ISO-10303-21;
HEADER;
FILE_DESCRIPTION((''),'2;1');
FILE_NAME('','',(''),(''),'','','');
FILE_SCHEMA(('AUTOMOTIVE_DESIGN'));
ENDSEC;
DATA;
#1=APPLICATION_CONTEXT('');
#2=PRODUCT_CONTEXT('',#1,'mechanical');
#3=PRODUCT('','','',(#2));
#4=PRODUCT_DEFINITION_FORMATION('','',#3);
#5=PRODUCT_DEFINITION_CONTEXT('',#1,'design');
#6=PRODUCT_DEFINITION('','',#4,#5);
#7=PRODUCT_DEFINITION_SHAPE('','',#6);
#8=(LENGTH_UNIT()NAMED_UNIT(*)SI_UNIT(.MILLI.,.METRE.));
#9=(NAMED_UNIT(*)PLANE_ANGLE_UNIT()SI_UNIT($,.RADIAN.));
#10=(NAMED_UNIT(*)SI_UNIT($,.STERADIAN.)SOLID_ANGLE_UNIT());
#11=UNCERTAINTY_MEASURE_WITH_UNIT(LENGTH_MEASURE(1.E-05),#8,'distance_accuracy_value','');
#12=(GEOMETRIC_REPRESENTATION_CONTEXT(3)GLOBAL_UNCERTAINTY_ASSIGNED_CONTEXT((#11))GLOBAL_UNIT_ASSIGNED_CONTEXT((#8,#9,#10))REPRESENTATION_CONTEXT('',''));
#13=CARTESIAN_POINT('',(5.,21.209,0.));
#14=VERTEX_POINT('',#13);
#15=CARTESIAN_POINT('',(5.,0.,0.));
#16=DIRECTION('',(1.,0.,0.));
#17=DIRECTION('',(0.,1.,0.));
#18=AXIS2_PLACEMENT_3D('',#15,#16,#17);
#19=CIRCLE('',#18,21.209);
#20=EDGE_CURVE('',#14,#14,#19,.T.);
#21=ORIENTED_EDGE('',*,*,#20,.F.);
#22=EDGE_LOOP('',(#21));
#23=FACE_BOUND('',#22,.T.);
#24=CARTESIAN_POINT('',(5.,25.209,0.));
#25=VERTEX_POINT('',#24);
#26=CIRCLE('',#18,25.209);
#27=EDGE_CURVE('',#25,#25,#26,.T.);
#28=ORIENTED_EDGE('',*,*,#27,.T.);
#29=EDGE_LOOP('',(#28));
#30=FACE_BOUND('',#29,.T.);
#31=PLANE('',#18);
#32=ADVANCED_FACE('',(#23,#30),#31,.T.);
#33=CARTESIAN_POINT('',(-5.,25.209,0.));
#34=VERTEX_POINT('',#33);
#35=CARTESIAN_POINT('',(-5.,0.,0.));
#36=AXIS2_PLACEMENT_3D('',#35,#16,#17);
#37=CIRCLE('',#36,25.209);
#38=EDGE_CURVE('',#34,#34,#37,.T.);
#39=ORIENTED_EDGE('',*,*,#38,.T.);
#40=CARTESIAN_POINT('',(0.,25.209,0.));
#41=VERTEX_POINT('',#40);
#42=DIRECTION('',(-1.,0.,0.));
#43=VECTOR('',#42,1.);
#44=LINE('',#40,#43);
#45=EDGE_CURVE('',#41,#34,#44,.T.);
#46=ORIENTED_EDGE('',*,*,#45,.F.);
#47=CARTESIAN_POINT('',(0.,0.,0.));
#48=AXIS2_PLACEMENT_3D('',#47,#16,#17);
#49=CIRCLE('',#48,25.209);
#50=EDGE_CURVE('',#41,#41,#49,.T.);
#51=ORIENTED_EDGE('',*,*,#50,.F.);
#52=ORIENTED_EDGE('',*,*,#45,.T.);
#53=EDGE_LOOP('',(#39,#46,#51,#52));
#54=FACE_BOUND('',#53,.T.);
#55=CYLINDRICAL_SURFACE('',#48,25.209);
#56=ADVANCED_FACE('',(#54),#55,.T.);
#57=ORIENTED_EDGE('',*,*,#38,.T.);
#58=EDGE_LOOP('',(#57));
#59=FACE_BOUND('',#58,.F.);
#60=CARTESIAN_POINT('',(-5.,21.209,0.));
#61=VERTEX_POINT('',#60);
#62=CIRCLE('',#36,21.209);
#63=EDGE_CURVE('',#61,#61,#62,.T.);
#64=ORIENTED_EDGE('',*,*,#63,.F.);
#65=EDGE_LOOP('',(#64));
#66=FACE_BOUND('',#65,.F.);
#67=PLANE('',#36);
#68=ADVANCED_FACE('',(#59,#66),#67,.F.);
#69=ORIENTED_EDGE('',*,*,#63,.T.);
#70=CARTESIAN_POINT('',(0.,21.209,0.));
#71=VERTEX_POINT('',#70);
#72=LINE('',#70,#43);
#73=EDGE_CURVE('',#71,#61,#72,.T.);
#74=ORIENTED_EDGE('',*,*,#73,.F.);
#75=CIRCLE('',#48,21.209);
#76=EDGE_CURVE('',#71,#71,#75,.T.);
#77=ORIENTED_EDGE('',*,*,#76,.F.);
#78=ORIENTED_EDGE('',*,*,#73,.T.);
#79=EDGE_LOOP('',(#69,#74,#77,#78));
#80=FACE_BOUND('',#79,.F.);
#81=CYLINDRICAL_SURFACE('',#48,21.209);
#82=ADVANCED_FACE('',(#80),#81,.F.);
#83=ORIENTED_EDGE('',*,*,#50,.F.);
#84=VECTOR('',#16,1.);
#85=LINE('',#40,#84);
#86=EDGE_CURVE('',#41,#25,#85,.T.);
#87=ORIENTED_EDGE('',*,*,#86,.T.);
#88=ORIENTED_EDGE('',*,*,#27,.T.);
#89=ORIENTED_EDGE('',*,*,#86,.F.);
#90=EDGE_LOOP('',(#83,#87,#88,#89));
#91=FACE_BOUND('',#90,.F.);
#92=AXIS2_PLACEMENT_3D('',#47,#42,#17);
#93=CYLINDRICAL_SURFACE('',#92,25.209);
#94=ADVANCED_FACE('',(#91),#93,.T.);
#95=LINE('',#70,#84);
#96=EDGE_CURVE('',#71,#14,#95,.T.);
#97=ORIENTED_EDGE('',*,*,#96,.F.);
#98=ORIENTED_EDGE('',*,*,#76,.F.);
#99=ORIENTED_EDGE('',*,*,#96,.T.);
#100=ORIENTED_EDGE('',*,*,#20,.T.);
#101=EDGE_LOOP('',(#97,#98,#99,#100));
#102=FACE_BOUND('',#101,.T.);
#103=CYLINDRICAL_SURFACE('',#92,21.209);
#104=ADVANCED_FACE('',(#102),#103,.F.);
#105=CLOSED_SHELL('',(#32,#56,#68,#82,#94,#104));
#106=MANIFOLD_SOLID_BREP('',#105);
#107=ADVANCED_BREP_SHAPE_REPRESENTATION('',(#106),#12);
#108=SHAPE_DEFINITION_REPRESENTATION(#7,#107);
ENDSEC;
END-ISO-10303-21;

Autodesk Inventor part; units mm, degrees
ref_plane "YZ Plane" through (0, 0, 0) normal (1, 0, 0) x (0, 1, 0)
ref_plane "XZ Plane" through (0, 0, 0) normal (0, 1, 0) x (-1, 0, 0)
ref_plane "XY Plane" through (0, 0, 0) normal (0, 0, 1) x (1, 0, 0)
sketch "Sketch1" plane through (0, 0, 0) normal (1, 0, 0) x (0, 1, 0)
  circle A0 centre (0, 0) radius 21.209
  circle A1 centre (0, 0) radius 25.209
  dimension "d0" = 42.418
  dimension "d2" = 4
extrude "Extrusion1" add sketch "Sketch1" along normal mid plane 10
properties part number "Ground_Tracker_CrossTubeCollar" material "ABS Plastic"
